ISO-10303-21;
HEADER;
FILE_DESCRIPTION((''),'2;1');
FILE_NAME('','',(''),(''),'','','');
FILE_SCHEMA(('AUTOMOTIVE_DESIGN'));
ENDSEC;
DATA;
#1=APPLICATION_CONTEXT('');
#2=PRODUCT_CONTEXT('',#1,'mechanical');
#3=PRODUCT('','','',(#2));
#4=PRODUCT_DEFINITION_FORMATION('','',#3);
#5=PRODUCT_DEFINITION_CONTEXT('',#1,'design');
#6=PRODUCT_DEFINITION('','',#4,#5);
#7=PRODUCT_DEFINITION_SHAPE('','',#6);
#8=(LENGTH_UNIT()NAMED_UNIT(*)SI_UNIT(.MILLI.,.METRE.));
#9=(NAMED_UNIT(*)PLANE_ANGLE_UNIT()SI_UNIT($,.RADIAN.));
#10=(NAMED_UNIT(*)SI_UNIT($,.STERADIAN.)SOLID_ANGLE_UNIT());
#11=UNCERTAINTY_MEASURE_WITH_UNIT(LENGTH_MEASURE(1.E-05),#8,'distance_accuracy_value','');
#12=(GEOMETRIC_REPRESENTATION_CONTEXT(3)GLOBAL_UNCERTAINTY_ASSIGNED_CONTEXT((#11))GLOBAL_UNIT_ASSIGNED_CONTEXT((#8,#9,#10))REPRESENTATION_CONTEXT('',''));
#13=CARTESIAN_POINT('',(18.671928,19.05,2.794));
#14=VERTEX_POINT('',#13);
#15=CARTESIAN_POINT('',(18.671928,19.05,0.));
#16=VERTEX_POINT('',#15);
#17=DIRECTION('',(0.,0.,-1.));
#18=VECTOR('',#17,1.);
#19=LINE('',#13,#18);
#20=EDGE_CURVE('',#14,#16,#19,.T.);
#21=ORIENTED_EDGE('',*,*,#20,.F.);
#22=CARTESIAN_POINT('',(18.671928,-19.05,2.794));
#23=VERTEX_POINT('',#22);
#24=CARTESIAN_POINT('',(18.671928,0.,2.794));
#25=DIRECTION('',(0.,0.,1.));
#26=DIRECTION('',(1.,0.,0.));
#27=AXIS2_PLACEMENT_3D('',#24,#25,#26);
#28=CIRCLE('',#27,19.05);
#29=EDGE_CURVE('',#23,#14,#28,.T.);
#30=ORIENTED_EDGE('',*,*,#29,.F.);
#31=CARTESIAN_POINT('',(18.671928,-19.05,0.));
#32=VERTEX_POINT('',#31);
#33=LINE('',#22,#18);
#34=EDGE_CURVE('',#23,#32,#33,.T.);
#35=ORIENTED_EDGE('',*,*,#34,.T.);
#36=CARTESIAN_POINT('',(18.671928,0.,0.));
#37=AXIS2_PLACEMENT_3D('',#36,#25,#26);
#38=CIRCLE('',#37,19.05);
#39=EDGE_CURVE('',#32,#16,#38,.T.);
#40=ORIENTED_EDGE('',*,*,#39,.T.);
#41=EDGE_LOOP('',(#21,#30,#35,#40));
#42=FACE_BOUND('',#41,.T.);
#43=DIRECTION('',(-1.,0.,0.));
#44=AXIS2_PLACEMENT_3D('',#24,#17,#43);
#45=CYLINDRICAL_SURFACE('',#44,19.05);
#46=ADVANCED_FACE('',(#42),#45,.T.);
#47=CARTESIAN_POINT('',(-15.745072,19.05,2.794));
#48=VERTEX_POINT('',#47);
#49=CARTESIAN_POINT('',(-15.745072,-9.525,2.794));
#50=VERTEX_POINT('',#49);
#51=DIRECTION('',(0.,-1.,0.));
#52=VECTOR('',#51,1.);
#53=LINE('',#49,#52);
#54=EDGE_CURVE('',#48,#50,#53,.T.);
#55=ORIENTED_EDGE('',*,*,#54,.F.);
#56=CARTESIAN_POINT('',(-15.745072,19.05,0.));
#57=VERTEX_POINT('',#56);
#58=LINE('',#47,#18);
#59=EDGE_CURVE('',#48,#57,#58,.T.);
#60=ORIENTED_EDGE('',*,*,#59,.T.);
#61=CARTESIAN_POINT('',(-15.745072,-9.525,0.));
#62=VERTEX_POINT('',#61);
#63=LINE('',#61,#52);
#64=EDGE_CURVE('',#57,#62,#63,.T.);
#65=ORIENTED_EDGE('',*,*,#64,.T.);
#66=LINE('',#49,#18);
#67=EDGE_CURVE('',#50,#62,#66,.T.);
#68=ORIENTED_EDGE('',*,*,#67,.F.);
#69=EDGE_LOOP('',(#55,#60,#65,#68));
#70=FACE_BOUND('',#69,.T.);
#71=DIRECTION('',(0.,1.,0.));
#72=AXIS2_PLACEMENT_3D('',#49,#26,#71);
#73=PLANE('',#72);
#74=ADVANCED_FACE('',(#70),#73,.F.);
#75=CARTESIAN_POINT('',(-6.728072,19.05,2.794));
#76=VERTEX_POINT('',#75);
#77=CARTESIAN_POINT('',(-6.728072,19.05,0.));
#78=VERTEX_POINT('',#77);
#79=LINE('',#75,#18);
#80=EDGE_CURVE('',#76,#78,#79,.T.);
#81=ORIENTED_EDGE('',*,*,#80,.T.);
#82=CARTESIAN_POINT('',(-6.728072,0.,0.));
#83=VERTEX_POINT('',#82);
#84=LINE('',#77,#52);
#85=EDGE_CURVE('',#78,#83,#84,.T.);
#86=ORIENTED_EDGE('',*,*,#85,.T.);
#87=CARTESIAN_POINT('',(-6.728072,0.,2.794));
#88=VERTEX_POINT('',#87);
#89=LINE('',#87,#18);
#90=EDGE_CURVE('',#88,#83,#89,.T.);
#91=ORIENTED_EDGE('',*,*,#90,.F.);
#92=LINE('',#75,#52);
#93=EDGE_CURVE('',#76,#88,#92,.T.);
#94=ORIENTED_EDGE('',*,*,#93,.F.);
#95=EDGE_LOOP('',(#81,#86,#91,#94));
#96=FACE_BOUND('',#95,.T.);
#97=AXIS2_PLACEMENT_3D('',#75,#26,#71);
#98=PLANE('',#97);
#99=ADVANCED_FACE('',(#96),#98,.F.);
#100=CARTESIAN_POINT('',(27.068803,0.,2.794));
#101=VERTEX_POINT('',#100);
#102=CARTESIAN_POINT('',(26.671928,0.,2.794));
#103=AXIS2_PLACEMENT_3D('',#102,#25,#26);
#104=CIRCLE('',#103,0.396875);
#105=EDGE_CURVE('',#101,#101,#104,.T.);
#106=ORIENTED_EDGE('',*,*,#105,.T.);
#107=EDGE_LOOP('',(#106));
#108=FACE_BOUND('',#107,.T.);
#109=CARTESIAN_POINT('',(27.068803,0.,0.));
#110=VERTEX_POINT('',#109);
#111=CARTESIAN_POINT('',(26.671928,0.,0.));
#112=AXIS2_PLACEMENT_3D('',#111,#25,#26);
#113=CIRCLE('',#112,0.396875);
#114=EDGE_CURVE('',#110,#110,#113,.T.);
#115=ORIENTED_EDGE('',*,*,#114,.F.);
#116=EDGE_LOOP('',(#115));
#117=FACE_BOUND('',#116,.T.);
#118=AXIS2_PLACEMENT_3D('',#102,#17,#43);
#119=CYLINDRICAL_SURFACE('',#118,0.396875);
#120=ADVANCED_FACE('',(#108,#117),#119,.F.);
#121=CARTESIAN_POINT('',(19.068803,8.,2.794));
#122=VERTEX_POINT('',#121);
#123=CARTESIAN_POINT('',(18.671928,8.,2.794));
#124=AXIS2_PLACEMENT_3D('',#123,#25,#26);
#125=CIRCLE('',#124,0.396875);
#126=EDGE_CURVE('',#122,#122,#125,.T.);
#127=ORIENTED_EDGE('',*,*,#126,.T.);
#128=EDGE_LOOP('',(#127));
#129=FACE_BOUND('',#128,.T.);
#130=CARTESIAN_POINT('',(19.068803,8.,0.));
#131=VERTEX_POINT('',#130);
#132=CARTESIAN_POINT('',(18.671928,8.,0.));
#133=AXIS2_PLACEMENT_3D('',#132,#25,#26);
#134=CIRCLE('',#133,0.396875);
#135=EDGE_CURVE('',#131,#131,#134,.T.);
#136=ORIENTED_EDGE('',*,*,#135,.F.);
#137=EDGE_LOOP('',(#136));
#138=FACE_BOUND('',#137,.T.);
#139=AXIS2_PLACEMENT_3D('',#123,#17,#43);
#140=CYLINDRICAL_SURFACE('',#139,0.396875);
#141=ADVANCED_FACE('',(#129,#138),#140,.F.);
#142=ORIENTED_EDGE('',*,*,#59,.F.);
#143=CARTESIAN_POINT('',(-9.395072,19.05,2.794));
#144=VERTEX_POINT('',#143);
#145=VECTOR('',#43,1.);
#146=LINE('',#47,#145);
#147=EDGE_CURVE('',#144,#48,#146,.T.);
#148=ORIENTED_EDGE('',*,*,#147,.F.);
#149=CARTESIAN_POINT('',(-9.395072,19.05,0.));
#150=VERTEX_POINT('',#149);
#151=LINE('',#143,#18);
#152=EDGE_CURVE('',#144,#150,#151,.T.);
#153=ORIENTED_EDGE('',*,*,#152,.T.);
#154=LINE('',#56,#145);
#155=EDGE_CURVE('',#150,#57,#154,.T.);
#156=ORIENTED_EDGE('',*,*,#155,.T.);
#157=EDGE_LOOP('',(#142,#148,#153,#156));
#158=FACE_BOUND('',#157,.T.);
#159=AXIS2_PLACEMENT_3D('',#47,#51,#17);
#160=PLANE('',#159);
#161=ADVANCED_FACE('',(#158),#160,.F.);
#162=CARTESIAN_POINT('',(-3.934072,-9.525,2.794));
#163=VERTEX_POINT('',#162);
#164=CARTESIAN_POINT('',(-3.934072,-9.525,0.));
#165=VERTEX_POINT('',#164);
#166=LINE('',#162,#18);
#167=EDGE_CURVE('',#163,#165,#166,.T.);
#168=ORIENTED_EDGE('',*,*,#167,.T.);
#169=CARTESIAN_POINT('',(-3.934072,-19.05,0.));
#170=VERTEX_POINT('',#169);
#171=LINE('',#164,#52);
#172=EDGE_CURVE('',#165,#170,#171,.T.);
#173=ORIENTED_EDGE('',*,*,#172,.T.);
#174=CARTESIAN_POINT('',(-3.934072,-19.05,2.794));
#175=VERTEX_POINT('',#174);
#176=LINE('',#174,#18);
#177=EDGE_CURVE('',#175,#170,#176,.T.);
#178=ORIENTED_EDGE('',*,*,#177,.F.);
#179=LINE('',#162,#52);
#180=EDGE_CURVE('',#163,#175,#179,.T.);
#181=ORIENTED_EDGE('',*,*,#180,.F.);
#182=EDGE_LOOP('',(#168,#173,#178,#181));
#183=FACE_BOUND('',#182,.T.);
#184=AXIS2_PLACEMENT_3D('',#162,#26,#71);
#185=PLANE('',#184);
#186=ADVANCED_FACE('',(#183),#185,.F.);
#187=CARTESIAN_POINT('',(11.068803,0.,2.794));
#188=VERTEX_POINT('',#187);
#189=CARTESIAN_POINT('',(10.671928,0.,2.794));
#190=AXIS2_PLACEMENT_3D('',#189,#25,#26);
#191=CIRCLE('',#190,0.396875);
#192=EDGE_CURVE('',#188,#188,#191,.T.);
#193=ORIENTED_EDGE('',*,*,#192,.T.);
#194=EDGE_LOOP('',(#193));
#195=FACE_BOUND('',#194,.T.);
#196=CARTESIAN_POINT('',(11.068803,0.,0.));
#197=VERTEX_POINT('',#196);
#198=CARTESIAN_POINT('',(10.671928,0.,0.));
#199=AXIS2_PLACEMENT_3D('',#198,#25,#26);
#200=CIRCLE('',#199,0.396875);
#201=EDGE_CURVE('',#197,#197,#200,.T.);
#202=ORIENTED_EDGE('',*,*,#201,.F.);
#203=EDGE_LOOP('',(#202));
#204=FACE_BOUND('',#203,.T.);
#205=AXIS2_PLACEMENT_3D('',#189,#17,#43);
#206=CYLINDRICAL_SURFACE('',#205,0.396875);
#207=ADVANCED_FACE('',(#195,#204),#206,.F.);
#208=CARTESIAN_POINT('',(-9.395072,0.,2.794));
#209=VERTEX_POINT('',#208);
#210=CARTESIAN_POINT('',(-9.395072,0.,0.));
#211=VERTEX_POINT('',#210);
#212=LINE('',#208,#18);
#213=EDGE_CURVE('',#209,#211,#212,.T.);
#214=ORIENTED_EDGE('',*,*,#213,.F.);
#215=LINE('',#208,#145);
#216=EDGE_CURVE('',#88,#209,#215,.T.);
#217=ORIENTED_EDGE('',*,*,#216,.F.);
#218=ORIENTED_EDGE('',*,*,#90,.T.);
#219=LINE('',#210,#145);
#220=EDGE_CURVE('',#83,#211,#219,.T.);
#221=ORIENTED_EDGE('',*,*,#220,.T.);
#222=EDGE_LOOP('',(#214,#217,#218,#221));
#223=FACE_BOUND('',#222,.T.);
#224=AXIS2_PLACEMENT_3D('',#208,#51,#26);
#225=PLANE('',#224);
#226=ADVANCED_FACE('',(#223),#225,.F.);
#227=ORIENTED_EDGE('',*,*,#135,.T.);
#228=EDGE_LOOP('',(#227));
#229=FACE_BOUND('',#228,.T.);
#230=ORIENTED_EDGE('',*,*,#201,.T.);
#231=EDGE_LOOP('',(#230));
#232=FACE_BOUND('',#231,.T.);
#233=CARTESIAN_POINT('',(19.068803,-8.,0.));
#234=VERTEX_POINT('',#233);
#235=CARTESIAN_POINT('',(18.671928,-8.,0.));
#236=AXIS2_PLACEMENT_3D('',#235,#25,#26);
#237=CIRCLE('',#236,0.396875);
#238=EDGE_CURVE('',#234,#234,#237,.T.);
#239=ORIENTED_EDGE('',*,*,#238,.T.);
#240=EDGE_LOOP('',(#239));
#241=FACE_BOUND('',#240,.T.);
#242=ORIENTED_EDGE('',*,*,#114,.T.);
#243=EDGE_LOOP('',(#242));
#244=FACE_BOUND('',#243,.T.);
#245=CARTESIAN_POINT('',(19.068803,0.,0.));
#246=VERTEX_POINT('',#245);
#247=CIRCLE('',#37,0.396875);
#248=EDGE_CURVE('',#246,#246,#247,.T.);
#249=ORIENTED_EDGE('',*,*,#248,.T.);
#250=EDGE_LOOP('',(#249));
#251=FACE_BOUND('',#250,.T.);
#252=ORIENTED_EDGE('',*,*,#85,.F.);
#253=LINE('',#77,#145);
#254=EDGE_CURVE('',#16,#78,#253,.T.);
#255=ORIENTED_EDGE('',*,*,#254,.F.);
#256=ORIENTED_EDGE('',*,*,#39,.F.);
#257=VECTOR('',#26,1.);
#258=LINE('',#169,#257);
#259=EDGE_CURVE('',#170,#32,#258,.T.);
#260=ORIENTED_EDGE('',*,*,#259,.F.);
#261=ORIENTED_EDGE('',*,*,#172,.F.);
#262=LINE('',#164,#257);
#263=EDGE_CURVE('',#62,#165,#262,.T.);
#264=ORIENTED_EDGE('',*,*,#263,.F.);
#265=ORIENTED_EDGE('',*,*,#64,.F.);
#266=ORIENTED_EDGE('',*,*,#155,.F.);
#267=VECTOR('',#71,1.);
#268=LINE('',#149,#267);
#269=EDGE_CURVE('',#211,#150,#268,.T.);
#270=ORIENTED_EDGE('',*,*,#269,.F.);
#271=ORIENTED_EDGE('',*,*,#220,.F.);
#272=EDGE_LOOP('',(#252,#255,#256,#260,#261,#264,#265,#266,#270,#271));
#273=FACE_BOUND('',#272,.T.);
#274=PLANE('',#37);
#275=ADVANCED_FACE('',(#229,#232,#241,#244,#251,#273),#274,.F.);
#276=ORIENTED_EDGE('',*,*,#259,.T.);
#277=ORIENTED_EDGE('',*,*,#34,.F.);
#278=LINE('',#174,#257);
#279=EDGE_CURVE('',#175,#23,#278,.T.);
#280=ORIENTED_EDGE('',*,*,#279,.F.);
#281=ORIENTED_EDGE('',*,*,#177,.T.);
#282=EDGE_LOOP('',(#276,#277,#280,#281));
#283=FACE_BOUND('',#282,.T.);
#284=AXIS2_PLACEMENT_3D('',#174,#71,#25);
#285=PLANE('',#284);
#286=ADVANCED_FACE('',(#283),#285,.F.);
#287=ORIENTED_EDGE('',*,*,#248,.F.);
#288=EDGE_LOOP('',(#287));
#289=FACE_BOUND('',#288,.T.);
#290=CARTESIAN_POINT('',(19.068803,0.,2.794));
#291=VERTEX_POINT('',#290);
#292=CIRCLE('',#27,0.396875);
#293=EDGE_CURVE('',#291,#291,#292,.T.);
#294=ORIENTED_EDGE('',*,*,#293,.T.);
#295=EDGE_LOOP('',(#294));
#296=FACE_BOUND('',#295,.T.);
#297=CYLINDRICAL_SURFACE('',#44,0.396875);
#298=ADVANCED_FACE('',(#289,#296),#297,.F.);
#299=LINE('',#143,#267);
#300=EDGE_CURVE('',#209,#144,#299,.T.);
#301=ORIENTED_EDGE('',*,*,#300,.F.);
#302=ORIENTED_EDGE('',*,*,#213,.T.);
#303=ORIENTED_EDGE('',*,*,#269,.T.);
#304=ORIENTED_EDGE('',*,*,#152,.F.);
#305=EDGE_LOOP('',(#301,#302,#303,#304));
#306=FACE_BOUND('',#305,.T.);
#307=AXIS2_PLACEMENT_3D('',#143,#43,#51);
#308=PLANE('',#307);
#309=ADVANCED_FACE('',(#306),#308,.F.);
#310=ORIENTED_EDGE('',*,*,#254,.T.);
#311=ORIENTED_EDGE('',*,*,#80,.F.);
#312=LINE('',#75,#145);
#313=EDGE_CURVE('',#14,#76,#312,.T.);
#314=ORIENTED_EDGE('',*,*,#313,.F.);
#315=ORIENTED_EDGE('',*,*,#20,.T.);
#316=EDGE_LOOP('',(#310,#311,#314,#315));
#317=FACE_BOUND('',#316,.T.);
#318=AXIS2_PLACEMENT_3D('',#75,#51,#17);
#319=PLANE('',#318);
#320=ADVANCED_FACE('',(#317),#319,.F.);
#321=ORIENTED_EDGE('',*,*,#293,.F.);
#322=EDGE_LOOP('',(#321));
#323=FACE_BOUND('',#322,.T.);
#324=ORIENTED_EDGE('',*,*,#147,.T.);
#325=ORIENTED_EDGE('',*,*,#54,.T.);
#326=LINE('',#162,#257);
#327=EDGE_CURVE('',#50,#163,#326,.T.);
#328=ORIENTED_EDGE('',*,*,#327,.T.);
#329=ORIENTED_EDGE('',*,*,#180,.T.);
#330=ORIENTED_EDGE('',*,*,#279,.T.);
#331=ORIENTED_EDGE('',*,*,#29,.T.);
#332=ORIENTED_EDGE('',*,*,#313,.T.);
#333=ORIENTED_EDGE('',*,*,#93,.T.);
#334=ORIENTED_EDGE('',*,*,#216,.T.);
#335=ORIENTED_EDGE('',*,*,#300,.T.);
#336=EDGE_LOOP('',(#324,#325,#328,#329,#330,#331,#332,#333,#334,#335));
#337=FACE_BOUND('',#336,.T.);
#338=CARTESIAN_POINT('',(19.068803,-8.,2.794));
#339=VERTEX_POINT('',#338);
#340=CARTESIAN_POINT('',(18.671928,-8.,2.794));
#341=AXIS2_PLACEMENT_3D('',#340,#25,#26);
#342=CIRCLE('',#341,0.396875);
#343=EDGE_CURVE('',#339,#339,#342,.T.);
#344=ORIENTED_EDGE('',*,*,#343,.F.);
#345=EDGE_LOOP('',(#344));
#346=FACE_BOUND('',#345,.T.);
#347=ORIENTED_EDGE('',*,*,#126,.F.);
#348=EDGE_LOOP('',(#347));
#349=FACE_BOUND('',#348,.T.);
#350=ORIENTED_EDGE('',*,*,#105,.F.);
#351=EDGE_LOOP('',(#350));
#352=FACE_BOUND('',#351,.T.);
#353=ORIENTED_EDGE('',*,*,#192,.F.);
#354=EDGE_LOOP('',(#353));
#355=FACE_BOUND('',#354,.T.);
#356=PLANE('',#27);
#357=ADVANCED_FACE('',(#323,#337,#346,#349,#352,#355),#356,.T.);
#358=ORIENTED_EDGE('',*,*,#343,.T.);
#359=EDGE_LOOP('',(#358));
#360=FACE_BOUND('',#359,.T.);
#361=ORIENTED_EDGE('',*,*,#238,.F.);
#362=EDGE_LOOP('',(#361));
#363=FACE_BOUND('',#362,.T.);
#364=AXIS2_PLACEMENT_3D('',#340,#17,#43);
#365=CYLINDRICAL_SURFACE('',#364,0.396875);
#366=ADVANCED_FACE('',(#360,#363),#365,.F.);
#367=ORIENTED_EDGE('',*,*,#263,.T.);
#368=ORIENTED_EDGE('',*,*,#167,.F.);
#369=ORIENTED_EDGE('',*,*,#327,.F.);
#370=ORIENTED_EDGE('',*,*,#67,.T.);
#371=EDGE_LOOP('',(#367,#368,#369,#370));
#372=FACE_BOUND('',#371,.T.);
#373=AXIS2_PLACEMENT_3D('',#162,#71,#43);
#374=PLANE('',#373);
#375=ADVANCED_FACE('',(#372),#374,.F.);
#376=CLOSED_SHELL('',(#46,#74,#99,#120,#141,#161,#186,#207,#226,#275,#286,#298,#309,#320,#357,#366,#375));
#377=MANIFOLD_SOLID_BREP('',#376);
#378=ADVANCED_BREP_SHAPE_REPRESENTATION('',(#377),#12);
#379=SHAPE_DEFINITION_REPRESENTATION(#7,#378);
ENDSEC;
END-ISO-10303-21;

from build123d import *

# Parameters (mm, degrees)
SKETCH1_R           = 0.396875
BOSS_EXTRUDE1_DEPTH = 2.794


with BuildPart() as part:
    # Sketch1 → Boss-Extrude1 (new body)
    with BuildSketch(Plane.XY):
        with BuildLine():
            Line((-6.728072382, 19.05), (18.671927618, 19.05))
            ThreePointArc((18.671927618, 19.05), (37.721927618, 0), (18.671927618, -19.05))
            Line((18.671927618, -19.05), (-3.934072382, -19.05))
            Line((-3.934072382, -19.05), (-3.934072382, -9.525))
            Line((-3.934072382, -9.525), (-15.745072382, -9.525))
            Line((-15.745072382, -9.525), (-15.745072382, 19.05))
            Line((-15.745072382, 19.05), (-9.395072382, 19.05))
            Line((-9.395072382, 19.05), (-9.395072382, 0))
            Line((-9.395072382, 0), (-6.728072382, 0))
            Line((-6.728072382, 0), (-6.728072382, 19.05))
        make_face()
        with Locations((18.671927618, 8)):
            Circle(SKETCH1_R, mode=Mode.SUBTRACT)
        with Locations((18.671927618, 0)):
            Circle(SKETCH1_R, mode=Mode.SUBTRACT)
        with Locations((26.671927618, 0)):
            Circle(SKETCH1_R, mode=Mode.SUBTRACT)
        with Locations((18.671927618, -8)):
            Circle(SKETCH1_R, mode=Mode.SUBTRACT)
        with Locations((10.671927618, 0)):
            Circle(SKETCH1_R, mode=Mode.SUBTRACT)
    extrude(amount=BOSS_EXTRUDE1_DEPTH)


solid = part.part
